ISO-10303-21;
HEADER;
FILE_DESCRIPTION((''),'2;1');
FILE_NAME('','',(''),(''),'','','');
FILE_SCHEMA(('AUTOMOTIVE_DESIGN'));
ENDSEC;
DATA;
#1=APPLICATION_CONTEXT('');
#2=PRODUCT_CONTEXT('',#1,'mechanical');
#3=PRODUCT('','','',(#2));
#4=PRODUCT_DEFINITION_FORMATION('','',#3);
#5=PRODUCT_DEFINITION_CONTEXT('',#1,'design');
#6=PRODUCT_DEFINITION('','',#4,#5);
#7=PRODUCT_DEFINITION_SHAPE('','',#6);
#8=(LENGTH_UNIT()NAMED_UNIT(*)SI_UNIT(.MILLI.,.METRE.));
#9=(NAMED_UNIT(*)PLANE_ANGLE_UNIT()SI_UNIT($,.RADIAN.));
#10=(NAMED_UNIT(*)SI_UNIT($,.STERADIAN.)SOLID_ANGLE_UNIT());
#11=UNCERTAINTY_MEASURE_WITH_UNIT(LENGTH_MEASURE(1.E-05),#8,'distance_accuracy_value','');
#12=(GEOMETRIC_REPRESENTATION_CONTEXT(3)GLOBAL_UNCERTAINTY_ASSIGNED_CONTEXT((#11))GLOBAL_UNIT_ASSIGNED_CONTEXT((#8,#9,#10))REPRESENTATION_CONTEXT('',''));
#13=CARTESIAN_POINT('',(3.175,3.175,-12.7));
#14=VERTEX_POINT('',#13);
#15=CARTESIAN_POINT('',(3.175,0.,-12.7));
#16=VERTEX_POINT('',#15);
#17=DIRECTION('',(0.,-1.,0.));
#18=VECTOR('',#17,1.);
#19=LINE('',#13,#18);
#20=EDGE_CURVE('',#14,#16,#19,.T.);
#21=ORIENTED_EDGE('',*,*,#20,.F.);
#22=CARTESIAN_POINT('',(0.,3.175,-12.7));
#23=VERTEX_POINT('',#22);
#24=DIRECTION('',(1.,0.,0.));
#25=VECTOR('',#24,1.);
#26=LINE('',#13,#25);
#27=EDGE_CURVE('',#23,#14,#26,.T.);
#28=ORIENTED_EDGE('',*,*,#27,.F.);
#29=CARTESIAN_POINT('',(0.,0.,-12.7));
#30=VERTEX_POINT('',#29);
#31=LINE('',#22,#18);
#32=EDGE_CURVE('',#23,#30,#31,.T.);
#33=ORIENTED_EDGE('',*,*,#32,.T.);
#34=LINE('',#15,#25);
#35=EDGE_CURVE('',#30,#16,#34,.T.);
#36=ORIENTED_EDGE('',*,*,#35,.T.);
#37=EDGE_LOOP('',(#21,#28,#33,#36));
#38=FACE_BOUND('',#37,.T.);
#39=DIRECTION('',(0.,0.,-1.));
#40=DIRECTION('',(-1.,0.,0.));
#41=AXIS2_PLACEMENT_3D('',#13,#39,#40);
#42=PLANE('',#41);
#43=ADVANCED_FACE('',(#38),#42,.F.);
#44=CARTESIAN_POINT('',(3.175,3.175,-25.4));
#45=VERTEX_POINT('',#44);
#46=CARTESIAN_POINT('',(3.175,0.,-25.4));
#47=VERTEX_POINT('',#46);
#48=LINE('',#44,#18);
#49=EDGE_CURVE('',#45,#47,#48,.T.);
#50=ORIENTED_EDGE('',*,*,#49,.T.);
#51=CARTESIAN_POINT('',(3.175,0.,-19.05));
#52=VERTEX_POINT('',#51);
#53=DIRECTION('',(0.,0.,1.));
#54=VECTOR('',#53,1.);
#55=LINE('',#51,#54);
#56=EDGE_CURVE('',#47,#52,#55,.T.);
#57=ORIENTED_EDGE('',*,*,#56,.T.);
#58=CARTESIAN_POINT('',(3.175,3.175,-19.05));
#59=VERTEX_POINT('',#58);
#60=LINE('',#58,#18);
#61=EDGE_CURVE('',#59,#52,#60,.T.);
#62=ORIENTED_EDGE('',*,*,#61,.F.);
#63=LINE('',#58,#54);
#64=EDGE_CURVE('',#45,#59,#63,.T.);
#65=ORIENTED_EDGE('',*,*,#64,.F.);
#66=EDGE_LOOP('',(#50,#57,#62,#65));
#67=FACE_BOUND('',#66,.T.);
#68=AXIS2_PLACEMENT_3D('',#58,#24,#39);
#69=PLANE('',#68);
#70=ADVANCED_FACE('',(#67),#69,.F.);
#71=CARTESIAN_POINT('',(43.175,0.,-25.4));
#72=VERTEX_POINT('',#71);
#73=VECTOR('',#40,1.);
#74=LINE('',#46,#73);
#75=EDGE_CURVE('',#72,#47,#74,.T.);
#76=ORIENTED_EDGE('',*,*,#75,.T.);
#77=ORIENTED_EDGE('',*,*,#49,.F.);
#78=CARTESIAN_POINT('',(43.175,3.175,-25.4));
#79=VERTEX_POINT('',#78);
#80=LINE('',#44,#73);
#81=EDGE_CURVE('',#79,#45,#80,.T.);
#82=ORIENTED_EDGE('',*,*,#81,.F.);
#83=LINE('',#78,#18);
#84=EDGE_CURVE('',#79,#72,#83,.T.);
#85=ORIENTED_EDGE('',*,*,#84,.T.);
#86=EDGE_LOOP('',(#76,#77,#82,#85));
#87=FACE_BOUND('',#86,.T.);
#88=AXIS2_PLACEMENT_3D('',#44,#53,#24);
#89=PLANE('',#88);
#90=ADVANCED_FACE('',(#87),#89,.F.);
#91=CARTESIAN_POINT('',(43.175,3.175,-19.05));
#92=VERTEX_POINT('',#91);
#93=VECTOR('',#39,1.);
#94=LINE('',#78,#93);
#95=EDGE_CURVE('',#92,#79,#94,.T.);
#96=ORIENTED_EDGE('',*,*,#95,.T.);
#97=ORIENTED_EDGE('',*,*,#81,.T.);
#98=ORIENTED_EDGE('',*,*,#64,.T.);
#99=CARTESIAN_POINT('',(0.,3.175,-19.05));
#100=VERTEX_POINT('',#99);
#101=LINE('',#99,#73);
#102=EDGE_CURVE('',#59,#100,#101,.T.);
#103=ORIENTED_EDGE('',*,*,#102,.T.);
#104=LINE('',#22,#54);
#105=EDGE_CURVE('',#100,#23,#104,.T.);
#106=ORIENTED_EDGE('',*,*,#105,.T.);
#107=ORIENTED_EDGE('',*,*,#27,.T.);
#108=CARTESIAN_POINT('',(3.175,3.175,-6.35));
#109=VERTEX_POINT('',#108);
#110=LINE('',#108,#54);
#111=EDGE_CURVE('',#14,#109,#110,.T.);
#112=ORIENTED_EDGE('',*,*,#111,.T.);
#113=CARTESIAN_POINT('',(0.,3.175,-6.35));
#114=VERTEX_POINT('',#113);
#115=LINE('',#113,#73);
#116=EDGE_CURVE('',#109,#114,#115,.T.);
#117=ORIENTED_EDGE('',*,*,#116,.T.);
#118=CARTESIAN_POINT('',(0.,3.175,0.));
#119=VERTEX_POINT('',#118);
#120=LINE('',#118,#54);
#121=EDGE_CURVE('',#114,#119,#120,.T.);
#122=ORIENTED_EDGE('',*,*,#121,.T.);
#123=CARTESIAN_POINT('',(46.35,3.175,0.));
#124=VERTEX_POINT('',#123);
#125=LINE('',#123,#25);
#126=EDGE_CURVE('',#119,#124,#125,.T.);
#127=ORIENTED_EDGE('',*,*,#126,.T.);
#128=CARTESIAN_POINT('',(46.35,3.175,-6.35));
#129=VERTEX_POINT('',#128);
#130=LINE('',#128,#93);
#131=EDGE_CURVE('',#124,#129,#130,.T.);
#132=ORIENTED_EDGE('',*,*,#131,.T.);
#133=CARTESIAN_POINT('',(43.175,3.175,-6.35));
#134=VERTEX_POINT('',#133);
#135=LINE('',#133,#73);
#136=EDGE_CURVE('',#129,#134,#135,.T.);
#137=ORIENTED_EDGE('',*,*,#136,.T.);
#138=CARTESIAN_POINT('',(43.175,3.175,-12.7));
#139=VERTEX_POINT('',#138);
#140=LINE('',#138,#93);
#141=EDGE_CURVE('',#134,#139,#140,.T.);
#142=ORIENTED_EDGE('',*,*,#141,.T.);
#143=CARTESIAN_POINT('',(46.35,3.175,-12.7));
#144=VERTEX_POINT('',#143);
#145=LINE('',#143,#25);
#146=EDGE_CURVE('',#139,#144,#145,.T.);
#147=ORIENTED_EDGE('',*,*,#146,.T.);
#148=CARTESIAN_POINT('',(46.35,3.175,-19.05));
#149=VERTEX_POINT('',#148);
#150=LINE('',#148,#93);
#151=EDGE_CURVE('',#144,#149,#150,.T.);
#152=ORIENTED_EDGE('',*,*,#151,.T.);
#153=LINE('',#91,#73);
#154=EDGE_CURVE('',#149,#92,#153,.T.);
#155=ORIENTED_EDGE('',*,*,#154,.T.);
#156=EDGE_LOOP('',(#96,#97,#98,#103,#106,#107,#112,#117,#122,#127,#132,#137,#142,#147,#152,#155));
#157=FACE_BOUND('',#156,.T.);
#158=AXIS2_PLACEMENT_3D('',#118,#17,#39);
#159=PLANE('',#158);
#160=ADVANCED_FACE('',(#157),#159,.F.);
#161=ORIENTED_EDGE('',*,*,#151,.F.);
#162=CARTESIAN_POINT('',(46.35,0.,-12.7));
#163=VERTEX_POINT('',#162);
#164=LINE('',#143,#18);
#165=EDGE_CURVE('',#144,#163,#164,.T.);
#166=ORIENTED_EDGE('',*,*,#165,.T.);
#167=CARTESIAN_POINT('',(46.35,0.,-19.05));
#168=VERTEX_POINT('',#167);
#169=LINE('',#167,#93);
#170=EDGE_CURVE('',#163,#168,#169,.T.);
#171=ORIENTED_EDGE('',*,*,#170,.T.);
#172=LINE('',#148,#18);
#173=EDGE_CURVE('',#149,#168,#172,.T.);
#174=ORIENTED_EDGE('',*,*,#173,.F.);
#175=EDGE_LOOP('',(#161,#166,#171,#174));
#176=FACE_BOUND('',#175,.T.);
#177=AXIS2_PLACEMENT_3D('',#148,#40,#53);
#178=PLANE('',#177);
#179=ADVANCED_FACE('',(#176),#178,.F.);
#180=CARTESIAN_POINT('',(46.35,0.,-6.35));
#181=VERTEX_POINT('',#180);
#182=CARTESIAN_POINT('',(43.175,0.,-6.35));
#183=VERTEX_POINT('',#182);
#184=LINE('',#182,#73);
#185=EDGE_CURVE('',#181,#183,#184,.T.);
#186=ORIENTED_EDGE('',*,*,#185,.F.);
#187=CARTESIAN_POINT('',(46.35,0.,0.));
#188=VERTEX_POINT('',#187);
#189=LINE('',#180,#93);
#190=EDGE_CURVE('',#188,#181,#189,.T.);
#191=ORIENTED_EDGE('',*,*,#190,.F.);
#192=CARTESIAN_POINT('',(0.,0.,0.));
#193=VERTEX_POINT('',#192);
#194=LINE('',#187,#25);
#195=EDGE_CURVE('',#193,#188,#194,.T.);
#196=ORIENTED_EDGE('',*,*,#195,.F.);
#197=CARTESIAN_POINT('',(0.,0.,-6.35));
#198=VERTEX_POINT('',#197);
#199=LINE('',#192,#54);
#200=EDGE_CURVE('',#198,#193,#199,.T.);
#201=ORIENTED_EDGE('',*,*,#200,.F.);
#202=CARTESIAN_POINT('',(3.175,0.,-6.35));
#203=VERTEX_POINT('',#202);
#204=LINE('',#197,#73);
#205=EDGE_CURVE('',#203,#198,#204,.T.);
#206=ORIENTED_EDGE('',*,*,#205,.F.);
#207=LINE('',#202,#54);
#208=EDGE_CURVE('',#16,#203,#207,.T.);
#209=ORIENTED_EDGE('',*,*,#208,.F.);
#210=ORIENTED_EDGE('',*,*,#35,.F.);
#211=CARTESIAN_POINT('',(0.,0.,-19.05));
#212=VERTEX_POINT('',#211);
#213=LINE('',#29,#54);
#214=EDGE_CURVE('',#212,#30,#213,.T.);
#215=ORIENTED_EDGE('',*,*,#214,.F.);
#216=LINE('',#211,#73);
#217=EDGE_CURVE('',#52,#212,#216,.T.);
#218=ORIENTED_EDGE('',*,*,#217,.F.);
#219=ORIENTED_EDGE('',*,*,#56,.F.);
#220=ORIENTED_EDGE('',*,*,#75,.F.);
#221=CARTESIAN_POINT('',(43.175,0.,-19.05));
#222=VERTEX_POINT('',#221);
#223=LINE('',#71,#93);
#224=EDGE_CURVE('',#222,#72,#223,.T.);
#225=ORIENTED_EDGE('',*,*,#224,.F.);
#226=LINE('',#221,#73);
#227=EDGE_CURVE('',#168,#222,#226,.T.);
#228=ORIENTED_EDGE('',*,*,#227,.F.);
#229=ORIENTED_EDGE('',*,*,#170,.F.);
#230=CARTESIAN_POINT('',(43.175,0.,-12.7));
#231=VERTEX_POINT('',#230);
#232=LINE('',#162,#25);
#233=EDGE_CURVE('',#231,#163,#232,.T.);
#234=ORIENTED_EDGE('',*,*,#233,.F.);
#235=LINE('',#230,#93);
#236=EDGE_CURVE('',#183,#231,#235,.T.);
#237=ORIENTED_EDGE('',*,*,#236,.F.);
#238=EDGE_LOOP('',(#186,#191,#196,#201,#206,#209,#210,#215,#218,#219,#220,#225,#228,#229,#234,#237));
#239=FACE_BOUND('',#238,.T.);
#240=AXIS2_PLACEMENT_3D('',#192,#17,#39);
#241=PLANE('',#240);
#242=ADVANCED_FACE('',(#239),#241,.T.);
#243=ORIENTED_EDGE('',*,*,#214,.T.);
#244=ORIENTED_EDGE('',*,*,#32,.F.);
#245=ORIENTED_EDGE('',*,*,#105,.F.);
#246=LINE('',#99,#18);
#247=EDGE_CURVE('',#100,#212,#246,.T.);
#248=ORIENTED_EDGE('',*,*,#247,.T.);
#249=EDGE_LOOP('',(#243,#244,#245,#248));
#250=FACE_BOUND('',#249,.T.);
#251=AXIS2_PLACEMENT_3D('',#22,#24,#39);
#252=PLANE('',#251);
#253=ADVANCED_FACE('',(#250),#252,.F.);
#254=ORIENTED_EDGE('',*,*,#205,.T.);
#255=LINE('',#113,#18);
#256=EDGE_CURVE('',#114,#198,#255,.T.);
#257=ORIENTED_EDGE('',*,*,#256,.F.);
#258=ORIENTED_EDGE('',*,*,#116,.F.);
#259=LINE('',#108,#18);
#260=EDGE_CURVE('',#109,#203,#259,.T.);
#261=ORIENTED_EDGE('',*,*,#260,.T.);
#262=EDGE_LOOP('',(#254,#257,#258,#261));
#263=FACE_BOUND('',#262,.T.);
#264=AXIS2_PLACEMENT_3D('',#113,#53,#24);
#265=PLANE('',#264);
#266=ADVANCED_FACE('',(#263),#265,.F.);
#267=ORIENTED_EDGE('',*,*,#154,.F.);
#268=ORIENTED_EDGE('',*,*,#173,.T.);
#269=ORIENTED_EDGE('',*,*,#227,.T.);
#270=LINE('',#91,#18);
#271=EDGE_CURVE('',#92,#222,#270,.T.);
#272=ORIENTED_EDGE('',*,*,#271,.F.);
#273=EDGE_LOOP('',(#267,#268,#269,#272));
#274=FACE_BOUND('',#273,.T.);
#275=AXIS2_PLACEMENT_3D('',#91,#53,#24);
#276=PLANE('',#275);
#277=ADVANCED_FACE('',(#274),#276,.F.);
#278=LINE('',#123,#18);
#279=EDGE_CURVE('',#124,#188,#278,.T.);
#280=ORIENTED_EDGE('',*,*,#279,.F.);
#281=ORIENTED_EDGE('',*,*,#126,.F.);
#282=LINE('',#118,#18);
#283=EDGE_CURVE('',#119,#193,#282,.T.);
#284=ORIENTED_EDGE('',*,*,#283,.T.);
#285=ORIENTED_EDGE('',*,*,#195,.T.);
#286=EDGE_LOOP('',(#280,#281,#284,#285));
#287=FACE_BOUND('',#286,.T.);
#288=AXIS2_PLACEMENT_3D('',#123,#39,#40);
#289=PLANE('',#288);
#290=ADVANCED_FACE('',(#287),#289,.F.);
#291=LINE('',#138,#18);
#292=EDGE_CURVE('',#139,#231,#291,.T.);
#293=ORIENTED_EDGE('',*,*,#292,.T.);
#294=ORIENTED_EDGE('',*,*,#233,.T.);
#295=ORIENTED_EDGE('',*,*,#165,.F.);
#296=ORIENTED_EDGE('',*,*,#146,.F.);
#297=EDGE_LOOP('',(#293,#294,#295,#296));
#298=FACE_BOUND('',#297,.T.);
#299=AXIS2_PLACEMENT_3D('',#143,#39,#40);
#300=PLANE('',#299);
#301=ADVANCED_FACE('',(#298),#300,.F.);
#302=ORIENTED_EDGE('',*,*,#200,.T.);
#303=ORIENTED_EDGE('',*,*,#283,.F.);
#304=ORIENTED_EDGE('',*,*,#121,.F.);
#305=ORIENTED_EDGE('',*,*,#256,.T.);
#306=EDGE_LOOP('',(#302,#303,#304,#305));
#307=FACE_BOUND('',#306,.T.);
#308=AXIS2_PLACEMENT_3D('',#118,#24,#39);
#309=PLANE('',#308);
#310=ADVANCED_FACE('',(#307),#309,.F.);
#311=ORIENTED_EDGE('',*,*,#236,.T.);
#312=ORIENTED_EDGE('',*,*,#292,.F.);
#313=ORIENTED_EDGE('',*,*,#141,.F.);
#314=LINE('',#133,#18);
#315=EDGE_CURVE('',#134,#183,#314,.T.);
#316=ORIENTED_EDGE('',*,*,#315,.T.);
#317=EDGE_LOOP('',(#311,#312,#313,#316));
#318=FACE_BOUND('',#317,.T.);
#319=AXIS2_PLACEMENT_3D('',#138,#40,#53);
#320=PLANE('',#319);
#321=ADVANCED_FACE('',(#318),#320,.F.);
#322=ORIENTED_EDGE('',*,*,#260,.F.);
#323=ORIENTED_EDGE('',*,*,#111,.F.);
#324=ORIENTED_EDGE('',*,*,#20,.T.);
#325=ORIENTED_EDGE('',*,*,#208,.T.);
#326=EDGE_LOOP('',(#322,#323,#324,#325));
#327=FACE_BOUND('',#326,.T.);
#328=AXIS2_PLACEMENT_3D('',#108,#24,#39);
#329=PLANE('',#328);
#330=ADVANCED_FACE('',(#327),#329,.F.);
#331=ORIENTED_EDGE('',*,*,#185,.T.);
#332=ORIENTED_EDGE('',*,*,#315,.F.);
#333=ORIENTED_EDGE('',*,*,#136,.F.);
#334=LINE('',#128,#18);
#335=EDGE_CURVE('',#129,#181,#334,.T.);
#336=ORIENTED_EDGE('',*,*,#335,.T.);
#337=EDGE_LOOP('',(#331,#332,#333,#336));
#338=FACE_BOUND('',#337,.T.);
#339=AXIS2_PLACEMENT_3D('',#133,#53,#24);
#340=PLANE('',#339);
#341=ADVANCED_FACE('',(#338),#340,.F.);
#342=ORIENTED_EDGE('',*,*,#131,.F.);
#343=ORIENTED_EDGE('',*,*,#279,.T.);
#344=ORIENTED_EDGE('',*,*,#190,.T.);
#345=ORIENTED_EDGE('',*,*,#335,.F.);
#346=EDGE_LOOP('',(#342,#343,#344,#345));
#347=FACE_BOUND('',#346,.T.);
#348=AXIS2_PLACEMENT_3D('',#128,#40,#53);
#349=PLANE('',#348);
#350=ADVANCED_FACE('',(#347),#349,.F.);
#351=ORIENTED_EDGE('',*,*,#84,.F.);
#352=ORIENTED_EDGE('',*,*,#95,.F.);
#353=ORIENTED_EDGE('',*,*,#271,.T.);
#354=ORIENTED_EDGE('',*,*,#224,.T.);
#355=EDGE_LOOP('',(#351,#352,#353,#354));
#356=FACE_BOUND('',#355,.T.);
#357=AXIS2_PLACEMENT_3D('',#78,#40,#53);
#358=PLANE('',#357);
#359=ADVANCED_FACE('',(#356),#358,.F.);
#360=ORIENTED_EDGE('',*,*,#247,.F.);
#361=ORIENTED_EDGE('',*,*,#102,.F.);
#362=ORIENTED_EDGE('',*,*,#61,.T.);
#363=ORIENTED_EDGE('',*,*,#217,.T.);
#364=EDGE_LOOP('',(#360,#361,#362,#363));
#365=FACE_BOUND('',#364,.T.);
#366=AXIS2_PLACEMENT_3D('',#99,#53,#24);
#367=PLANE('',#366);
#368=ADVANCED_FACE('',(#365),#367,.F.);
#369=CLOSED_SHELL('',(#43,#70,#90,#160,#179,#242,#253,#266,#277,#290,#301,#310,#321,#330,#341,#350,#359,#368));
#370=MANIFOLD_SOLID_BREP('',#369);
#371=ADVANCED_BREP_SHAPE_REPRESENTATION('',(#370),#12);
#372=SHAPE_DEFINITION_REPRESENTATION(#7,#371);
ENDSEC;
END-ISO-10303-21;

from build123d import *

# Parameters (mm, degrees)
BOSS_EXTRUDE1_DEPTH = 3.175


with BuildPart() as part:
    # Sketch1 → Boss-Extrude1 (new body)
    with BuildSketch(Plane(origin=(0, 0, 0), x_dir=(1, 0, 0), z_dir=(0, 1, 0))):
        Polygon((0, 0), (0, 6.35), (3.175, 6.35), (3.175, 12.7), (0, 12.7), (0, 19.05), (3.175, 19.05), (3.175, 25.4), (43.175, 25.4), (43.175, 19.05), (46.35, 19.05), (46.35, 12.7), (43.175, 12.7), (43.175, 6.35), (46.35, 6.35), (46.35, 0), align=None)
    extrude(amount=BOSS_EXTRUDE1_DEPTH)


solid = part.part
